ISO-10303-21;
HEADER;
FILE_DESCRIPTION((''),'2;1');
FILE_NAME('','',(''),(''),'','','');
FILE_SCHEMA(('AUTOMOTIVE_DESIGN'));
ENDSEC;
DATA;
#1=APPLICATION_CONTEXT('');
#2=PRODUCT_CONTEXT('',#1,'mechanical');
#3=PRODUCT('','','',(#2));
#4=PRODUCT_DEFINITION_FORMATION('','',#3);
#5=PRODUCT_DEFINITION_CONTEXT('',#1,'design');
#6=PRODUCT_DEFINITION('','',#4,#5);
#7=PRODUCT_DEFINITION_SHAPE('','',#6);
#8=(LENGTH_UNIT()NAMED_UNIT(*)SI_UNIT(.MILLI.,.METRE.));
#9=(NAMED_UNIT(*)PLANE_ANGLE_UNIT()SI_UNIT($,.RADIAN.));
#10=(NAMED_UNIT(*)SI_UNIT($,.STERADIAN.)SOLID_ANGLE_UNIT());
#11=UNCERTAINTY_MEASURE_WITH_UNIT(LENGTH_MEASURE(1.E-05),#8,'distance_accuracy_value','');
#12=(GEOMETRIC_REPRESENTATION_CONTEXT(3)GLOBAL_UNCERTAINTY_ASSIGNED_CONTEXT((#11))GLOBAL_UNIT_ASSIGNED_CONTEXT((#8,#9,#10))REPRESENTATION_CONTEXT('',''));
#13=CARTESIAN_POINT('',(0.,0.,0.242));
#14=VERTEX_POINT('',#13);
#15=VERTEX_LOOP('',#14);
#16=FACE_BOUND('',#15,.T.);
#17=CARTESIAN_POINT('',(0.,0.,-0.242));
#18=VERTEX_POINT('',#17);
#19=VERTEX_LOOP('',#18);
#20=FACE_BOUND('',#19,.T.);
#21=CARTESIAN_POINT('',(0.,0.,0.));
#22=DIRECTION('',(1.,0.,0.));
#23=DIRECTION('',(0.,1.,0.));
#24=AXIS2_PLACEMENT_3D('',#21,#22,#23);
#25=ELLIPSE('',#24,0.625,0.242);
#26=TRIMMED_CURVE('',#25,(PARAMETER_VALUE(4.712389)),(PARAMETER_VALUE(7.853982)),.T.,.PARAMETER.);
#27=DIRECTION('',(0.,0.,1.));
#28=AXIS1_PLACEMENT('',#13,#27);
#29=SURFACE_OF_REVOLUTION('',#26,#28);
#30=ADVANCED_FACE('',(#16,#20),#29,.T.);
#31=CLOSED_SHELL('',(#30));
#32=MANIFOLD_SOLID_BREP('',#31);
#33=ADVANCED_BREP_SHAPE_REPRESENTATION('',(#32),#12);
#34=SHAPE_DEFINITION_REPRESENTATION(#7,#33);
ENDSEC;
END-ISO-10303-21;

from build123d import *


with BuildPart() as part:
    # Sketch1 → Revolve1 (revolve)
    with BuildSketch(Plane(origin=(0, 0, 0), x_dir=(0, 0, -1), z_dir=(1, 0, 0))):
        with BuildLine():
            Line((-0.242, 0), (0.242, 0))
            add(Edge.make_bspline(
                [(0.242, 0), (0.242, 0.625), (0, 0.625), (-0.242, 0.625), (-0.242, 0)],
                knots=[4.71238898, 4.71238898, 4.71238898, 6.283185307, 6.283185307, 7.853981634, 7.853981634, 7.853981634], degree=2, weights=[1, 0.707106781, 1, 0.707106781, 1]))
        make_face()
    revolve(axis=Axis((0, 0, 0.242), (0, 0, -1)))


solid = part.part
